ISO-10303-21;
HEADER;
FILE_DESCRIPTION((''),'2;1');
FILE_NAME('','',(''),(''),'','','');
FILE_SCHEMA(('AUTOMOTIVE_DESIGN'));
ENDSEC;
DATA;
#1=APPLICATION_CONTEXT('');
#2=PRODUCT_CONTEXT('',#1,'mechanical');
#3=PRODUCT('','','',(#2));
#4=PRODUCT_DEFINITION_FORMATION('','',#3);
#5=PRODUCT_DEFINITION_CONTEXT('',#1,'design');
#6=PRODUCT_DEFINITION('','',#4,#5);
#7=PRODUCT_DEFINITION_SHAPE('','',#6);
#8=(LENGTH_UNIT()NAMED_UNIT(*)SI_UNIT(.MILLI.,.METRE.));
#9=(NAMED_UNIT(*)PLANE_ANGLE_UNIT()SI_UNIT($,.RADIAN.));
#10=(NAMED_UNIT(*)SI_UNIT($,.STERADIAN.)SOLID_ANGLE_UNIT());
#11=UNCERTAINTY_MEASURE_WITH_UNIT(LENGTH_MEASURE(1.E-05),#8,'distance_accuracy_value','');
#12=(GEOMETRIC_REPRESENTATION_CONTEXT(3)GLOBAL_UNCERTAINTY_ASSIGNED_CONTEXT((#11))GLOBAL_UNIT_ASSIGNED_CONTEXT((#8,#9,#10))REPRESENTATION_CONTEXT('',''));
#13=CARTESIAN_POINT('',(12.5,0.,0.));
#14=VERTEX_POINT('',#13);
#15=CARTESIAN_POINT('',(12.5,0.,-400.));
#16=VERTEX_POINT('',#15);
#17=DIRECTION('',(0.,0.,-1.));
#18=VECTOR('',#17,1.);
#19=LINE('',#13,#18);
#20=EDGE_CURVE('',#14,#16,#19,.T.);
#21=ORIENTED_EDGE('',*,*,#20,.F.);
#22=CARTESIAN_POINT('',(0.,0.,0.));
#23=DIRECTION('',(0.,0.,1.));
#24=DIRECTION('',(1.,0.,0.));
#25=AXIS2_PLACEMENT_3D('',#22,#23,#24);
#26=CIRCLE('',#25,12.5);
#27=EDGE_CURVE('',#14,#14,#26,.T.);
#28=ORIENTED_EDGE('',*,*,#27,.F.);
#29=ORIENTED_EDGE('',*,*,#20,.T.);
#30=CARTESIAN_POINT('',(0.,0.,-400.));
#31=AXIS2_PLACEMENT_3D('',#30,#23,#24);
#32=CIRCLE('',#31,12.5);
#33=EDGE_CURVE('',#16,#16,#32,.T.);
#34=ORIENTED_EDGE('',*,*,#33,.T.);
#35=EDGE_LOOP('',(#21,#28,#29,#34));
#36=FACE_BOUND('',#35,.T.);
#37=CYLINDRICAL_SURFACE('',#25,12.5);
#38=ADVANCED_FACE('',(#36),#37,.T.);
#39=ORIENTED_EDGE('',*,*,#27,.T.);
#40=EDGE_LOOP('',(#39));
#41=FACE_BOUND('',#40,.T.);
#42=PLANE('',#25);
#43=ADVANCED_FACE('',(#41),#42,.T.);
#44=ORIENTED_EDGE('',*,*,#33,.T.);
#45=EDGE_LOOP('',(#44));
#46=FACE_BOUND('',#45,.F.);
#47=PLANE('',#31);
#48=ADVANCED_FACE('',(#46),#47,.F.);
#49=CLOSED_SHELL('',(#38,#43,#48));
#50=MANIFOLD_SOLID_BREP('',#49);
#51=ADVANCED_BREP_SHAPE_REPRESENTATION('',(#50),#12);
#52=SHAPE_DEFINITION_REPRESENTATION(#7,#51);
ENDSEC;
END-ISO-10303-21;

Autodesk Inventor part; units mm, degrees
ref_plane "YZ Plane" through (0, 0, 0) normal (1, 0, 0) x (0, 1, 0)
ref_plane "XZ Plane" through (0, 0, 0) normal (0, 1, 0) x (-1, 0, 0)
ref_plane "XY Plane" through (0, 0, 0) normal (0, 0, 1) x (1, 0, 0)
sketch "Sketch1" plane through (0, 0, 0) normal (0, 0, 1) x (1, 0, 0)
  circle A0 centre (0, 0) radius 12.5
  dimension "d0" = 25
extrude "Extrusion1" add sketch "Sketch1" against normal blind 400
properties part number "shaft"
